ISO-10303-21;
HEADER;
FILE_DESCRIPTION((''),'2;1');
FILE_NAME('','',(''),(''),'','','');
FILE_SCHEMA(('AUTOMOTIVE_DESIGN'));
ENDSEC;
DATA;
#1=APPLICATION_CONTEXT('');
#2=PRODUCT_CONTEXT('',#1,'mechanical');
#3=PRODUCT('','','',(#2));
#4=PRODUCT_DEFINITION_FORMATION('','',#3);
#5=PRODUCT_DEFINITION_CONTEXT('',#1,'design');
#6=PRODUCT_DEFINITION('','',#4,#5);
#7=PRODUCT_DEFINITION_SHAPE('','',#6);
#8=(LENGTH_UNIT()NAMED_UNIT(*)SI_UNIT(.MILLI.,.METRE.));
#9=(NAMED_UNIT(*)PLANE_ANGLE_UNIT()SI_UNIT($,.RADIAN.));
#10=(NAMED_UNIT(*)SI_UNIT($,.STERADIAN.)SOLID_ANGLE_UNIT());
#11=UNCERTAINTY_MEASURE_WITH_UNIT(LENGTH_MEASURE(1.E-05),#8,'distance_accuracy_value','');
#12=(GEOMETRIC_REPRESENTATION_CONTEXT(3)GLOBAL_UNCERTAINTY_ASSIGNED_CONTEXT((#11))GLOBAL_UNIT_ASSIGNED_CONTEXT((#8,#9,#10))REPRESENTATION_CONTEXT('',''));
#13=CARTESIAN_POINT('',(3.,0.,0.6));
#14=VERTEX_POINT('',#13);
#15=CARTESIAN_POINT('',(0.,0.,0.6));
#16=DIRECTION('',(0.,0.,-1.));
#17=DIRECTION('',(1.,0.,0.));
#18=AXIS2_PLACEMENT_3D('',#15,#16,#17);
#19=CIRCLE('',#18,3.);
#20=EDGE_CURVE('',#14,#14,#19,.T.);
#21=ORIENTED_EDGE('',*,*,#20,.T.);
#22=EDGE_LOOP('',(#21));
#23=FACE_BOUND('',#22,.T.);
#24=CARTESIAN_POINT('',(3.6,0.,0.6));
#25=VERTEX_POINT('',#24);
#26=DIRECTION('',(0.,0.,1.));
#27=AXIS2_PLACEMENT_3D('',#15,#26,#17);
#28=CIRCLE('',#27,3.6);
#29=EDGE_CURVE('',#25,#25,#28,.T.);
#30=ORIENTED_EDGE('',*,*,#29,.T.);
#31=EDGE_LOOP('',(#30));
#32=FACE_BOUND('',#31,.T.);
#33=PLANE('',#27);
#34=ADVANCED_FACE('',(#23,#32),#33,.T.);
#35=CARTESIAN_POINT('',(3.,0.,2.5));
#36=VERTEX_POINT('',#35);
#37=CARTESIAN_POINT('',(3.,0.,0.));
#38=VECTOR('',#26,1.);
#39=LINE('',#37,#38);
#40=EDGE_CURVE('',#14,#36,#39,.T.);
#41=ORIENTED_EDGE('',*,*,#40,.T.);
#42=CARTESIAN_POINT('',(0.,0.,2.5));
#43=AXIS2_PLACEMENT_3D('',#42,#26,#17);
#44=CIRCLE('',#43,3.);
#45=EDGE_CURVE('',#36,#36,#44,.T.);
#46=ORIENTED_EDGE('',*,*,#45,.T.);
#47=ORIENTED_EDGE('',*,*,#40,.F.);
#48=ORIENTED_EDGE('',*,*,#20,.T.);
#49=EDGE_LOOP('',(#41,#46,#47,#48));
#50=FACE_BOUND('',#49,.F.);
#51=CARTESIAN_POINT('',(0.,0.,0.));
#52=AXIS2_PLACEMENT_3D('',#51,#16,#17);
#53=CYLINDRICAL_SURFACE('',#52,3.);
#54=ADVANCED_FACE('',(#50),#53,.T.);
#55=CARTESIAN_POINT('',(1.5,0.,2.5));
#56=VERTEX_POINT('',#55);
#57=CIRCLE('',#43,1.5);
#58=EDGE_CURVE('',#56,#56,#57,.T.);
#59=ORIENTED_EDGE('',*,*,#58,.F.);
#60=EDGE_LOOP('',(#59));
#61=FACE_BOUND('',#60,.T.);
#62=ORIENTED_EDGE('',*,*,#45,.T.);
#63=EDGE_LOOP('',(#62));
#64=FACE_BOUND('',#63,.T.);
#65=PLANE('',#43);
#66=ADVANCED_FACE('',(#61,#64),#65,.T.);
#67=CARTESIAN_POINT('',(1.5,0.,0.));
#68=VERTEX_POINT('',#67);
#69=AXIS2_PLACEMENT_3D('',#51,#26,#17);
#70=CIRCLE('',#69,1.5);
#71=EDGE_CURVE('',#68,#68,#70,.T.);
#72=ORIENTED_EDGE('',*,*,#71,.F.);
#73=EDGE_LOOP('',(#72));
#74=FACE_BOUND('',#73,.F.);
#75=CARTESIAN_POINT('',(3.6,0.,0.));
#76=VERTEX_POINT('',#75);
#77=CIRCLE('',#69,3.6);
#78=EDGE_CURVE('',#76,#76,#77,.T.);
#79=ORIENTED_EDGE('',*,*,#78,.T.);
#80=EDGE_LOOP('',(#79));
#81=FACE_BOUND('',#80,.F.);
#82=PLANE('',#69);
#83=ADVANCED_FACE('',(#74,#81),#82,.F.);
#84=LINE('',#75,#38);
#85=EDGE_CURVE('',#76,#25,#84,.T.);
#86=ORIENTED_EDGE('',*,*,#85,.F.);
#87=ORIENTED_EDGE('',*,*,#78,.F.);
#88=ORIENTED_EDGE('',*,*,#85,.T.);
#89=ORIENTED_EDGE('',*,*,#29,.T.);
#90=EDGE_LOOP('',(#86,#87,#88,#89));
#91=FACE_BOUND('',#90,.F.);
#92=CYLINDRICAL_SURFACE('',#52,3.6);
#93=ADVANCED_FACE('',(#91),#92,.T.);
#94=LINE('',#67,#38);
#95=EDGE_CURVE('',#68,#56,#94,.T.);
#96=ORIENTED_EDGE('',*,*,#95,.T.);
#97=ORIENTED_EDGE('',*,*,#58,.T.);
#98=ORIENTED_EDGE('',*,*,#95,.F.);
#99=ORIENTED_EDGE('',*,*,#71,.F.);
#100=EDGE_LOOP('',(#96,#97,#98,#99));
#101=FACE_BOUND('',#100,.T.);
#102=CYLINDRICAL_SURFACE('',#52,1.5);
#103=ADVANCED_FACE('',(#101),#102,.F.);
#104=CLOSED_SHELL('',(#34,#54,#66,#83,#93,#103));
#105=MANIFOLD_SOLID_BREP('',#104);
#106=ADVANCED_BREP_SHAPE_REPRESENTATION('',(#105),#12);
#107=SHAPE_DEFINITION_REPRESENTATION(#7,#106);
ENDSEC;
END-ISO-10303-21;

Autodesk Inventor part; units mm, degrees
ref_plane "YZ Plane" through (0, 0, 0) normal (1, 0, 0) x (0, 1, 0)
ref_plane "XZ Plane" through (0, 0, 0) normal (0, 1, 0) x (-1, 0, 0)
ref_plane "XY Plane" through (0, 0, 0) normal (0, 0, 1) x (1, 0, 0)
sketch "スケッチ1" plane through (0, 0, 0) normal (0, 0, 1) x (1, 0, 0)
  circle A0 centre (0, 0) radius 1.5
  circle A1 centre (0, 0) radius 3
  dimension "d0" = 3
  dimension "d1" = 6
extrude "押し出し1" add sketch "スケッチ1" along normal blind 2.5
sketch "スケッチ2" plane through (0, 0, 0) normal (0, 0, 1) x (1, 0, 0)
  circle A0 centre (0, 0) radius 3.6
  circle A1 centre (0, 0) radius 1.5
  dimension "d4" = 7.2
  dimension "d7" = 3
extrude "押し出し3" add sketch "スケッチ2" along normal blind 0.6
properties part number "bearing_MF63ZZ"
